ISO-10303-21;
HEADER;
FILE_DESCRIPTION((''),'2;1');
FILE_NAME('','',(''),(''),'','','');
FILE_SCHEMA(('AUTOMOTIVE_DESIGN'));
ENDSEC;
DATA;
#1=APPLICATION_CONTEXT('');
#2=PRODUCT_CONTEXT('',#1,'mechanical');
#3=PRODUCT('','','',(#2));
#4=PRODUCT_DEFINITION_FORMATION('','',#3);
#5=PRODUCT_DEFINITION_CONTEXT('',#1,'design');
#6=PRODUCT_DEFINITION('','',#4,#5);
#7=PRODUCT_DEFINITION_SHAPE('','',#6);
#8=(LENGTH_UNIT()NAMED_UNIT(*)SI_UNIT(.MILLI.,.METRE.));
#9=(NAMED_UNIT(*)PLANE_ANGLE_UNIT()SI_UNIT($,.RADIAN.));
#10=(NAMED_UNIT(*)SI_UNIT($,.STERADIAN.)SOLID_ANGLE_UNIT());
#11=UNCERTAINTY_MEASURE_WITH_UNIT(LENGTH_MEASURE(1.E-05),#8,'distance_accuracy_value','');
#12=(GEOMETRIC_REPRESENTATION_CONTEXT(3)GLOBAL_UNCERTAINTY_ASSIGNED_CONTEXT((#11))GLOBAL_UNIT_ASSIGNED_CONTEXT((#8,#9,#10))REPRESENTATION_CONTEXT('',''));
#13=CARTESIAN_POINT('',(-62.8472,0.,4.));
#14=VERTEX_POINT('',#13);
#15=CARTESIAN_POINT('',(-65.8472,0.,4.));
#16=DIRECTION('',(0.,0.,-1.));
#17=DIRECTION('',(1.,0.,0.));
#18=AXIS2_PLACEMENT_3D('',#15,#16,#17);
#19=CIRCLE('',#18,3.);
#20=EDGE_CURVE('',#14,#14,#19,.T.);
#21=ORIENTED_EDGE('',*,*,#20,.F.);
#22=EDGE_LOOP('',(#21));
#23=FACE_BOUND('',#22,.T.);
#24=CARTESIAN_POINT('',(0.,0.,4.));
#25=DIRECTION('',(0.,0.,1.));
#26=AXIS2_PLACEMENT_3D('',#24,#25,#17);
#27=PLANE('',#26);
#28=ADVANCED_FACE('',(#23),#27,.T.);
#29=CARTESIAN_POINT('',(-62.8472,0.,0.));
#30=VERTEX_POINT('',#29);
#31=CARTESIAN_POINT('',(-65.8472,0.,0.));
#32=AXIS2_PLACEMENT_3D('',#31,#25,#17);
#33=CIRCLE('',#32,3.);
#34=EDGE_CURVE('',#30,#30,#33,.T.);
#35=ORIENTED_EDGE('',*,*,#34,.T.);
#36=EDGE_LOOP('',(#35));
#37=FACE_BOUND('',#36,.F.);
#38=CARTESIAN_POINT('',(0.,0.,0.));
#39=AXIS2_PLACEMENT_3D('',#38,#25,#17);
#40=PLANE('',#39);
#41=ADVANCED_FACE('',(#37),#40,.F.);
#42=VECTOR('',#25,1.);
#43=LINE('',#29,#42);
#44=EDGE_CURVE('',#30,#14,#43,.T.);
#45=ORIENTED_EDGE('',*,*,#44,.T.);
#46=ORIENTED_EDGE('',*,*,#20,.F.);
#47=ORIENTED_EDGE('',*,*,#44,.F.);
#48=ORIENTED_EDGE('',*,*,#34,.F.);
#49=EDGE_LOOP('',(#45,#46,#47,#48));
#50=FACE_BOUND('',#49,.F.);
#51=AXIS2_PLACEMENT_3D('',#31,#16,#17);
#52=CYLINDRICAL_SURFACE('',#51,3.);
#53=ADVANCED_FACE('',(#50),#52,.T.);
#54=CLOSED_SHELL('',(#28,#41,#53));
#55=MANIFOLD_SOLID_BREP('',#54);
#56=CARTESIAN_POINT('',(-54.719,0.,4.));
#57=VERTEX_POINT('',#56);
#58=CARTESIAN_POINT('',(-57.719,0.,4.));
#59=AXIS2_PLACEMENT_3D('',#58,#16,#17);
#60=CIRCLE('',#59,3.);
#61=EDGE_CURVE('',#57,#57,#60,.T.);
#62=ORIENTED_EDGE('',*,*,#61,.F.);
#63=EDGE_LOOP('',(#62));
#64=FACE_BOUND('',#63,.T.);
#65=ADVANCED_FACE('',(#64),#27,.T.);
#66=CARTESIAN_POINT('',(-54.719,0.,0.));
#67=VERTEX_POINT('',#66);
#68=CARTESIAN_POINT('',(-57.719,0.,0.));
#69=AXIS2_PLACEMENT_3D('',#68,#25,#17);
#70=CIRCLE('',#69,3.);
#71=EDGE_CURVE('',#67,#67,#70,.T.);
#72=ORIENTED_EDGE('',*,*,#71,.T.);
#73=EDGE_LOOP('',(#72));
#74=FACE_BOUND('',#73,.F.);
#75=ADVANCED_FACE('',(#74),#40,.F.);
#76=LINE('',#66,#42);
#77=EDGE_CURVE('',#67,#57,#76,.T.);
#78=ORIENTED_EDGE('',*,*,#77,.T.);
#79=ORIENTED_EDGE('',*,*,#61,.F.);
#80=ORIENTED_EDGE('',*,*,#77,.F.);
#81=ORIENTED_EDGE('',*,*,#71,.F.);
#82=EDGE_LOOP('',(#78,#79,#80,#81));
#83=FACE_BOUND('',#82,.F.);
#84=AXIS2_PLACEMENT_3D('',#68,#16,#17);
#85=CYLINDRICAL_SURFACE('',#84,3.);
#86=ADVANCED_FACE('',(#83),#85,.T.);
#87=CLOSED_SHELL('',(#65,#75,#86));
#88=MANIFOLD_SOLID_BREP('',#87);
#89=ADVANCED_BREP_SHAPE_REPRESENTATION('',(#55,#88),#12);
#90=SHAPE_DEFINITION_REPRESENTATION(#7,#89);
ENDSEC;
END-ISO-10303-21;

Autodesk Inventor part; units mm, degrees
ref_plane "YZ Plane" through (0, 0, 0) normal (1, 0, 0) x (0, 1, 0)
ref_plane "XZ Plane" through (0, 0, 0) normal (0, 1, 0) x (-1, 0, 0)
ref_plane "XY Plane" through (0, 0, 0) normal (0, 0, 1) x (1, 0, 0)
sketch "Sketch1" plane through (0, 0, 0) normal (0, 0, 1) x (1, 0, 0)
  line L0 (0, 0) -> (-80, 0) projected
  line L1 (0, 0.4115) -> (-80, 0.4115) projected
  circle A0 centre (-65.8472, 0) radius 3
  circle A1 centre (-57.719, 0) radius 3
  dimension "d0" = 6
  dimension "d1" = 6
extrude "Extrusion1" add sketch "Sketch1" along normal blind 4 contours A1 L0 | L0 A1 L1 | L1 A1 | A0 L0 | L0 A0 L1 | L1 A0
properties part number "button"
